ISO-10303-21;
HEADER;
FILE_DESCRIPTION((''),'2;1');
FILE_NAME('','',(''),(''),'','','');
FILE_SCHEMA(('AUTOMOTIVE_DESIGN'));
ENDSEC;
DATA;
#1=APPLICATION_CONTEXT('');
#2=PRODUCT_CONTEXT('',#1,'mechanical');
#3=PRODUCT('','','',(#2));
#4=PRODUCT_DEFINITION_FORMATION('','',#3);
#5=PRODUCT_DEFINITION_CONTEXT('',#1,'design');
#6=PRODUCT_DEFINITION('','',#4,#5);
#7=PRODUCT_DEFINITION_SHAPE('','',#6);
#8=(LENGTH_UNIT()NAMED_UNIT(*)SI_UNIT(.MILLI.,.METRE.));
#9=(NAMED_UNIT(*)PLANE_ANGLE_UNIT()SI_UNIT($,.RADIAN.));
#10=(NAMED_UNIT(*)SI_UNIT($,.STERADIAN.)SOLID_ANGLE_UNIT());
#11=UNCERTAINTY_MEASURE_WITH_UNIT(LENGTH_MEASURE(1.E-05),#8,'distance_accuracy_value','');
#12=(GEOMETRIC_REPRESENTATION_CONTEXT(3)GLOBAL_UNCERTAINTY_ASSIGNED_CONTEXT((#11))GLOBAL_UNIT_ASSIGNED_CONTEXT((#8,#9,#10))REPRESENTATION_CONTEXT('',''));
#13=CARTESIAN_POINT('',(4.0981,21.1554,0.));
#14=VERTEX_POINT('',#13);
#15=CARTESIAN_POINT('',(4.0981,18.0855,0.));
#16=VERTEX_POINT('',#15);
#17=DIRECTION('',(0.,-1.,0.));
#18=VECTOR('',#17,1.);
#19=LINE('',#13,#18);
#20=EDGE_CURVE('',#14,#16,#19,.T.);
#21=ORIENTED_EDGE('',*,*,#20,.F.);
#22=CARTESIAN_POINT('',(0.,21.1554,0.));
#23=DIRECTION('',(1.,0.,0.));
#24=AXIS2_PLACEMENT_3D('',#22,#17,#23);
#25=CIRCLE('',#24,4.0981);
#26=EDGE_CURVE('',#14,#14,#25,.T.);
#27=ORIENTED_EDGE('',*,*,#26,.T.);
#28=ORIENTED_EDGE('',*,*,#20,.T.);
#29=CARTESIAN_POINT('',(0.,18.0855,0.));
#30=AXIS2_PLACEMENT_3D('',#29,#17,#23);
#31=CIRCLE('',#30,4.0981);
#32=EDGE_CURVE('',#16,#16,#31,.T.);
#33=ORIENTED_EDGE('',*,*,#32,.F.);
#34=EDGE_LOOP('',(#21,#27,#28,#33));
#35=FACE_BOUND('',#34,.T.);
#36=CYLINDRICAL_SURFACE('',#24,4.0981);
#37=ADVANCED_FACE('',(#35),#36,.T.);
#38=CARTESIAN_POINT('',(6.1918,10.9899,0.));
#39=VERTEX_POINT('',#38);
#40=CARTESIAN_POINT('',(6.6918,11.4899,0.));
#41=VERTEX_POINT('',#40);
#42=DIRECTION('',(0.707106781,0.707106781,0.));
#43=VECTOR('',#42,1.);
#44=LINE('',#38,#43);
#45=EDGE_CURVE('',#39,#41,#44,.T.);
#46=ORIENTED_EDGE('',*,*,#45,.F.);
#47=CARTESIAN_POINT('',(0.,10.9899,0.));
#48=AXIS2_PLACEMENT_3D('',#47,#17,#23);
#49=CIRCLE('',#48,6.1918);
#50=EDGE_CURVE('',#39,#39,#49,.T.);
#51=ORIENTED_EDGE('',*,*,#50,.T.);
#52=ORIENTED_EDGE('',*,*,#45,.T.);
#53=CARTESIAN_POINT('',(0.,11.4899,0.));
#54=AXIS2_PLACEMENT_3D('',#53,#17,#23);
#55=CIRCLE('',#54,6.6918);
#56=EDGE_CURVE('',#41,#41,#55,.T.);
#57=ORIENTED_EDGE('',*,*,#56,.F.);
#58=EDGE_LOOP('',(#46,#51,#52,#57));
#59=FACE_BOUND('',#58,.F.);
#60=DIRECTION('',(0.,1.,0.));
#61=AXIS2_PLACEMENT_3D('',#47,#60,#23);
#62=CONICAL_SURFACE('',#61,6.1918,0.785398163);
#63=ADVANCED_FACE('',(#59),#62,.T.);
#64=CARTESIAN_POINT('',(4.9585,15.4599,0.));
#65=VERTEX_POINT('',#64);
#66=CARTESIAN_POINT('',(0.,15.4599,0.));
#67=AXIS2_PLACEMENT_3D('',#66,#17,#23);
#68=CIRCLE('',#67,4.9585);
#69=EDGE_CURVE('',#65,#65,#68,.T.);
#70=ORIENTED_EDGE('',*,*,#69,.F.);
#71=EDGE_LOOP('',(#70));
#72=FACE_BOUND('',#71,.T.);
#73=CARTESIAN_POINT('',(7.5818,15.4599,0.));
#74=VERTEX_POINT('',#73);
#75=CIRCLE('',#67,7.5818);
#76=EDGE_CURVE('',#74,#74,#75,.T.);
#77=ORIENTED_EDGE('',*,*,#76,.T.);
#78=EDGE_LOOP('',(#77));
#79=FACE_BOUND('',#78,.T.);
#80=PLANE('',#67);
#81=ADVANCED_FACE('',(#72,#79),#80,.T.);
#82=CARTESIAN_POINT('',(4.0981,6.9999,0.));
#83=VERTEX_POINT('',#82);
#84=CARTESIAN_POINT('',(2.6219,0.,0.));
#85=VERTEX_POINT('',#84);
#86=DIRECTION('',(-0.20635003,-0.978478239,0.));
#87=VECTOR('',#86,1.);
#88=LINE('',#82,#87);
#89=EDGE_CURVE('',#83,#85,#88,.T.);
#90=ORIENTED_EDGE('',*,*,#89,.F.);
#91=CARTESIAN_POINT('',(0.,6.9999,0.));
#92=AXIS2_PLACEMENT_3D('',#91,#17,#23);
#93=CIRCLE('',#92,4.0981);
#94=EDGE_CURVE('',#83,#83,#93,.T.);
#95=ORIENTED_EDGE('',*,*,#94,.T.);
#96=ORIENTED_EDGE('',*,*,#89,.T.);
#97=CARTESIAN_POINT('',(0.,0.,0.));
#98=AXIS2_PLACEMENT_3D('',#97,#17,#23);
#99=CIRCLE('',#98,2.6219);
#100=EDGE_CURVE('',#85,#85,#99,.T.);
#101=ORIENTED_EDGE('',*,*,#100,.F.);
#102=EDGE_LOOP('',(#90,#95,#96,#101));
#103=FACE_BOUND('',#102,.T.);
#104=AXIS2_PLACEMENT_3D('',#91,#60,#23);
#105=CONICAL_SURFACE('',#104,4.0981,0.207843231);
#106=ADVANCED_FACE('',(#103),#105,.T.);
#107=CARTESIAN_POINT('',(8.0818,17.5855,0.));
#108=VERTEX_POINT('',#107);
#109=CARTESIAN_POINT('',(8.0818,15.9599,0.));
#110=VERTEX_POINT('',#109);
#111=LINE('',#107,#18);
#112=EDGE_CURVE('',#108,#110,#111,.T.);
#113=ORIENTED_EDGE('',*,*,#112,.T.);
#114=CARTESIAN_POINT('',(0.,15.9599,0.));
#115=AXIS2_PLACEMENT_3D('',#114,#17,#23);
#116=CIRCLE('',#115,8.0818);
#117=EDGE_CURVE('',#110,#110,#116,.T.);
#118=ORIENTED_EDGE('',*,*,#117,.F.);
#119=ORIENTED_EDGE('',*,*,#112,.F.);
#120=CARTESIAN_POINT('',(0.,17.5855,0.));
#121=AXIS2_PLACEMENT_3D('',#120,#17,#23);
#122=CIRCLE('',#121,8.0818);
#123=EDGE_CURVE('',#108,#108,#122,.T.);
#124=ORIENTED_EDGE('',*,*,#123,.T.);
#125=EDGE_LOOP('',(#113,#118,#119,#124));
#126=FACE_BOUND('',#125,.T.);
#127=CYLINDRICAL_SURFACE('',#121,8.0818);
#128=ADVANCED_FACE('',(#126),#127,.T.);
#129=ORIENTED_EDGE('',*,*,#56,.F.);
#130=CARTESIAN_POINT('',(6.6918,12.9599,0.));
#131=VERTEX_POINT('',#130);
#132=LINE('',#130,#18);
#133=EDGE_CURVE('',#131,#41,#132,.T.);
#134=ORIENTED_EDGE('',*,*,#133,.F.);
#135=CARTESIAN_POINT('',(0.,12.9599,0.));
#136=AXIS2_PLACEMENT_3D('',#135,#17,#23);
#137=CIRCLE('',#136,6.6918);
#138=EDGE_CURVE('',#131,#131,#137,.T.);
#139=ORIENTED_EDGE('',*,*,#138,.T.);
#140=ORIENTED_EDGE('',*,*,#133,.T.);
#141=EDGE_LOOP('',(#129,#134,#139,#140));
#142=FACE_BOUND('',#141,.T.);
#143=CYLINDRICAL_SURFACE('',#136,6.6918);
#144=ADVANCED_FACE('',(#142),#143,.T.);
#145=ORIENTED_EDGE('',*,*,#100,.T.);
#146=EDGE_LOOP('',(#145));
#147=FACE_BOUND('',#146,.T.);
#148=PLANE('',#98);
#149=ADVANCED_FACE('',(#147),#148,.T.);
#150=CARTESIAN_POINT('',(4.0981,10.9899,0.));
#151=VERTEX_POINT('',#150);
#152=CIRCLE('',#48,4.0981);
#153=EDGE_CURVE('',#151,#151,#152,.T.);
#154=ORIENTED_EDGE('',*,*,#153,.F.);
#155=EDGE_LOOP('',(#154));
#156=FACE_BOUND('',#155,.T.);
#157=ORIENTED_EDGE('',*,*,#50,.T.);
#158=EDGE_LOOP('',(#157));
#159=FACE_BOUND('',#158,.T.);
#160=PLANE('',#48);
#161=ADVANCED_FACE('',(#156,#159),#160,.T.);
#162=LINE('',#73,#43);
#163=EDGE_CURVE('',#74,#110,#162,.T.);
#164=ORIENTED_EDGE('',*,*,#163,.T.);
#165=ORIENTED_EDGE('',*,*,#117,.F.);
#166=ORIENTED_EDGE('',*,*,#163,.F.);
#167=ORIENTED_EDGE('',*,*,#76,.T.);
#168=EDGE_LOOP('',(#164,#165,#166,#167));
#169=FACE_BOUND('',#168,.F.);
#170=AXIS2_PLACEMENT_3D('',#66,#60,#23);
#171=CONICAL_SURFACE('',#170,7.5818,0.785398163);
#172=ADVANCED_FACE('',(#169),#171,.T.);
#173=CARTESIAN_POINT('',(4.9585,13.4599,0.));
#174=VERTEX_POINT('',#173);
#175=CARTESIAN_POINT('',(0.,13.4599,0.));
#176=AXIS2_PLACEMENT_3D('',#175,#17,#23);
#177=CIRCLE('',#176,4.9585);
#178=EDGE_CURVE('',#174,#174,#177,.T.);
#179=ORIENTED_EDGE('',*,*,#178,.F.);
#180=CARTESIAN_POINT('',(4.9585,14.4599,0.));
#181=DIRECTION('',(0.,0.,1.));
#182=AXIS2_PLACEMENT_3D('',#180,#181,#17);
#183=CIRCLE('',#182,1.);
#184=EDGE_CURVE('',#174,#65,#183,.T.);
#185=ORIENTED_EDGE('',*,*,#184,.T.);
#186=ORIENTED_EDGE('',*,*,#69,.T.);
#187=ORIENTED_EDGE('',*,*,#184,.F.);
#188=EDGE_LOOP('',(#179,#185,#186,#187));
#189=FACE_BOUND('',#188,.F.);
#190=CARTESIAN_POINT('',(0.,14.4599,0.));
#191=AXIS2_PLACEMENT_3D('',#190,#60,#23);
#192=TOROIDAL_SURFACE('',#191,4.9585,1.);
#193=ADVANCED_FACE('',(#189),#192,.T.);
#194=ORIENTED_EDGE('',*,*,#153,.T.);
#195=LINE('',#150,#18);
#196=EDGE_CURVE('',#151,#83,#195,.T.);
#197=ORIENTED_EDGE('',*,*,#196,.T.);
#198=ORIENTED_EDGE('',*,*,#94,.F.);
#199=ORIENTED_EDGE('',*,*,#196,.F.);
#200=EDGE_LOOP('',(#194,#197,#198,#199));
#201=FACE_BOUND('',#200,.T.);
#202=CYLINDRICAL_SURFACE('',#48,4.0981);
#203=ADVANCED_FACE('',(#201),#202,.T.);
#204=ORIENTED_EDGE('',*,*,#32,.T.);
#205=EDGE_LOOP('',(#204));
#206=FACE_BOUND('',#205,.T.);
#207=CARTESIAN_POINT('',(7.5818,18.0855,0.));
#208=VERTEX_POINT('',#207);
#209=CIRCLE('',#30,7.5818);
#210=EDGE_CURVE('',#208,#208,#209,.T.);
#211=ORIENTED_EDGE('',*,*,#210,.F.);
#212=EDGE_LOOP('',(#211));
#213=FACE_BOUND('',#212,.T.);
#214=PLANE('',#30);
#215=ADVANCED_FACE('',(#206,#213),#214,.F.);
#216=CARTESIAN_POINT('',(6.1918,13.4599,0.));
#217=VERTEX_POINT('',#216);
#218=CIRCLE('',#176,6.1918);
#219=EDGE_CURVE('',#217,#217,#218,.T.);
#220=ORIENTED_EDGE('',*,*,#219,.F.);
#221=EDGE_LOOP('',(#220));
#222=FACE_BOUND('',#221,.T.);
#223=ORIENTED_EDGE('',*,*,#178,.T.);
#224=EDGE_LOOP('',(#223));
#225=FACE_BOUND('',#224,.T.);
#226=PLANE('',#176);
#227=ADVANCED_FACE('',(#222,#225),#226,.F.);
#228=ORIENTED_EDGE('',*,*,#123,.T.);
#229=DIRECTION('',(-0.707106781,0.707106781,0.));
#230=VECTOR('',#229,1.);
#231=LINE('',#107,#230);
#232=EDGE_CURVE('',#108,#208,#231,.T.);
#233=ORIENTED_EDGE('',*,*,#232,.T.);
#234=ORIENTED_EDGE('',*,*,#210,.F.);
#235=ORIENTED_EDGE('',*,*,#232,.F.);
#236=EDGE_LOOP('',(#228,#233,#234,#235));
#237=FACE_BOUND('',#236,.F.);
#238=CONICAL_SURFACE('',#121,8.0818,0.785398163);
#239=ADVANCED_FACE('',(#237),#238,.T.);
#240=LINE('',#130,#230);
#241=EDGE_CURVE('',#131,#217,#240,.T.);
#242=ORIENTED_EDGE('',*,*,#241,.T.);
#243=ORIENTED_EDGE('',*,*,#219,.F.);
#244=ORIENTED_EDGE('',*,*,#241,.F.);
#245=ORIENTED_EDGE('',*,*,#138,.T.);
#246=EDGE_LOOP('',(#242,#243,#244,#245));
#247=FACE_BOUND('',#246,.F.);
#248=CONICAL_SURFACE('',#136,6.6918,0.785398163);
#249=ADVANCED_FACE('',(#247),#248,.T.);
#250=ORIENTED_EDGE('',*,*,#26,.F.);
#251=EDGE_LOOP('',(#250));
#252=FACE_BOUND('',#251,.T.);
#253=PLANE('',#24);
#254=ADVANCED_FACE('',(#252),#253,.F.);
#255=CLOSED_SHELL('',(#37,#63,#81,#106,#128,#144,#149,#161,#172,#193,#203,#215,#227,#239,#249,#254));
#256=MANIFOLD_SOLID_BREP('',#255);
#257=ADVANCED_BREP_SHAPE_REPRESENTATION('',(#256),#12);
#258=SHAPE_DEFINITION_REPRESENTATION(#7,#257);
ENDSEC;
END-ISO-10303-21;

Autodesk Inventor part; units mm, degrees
ref_plane "YZ Plane" through (0, 0, 0) normal (1, 0, 0) x (0, 1, 0)
ref_plane "XZ Plane" through (0, 0, 0) normal (0, 1, 0) x (-1, 0, 0)
sketch "Sketch1" plane through (0, 0, 0) normal (0, 0, 1) x (1, 0, 0)
  line L0 (4.0981, 21.1554) -> (4.0981, 18.0855)
  line L1 (4.0981, 18.0855) -> (7.5818, 18.0855)
  line L2 (8.0818, 17.5855) -> (8.0818, 15.9599)
  line L3 (7.5818, 15.4599) -> (0, 15.4599)
  arc A0 (4.9585, 13.4599) -> (4.9585, 15.4599) centre (4.9585, 14.4599) ccw
  line L4 (4.9585, 13.4599) -> (6.1918, 13.4599)
  line L5 (6.6918, 12.9599) -> (6.6918, 11.4899)
  line L6 (6.1918, 10.9899) -> (4.0981, 10.9899)
  line L7 (4.0981, 10.9899) -> (4.0981, 6.9999)
  line L8 (4.0981, 6.9999) -> (2.6219, 0)
  line L9 (2.6219, 0) -> (0, 0)
  line L10 (0, 21.1554) -> (4.0981, 21.1554)
  line L11 (0, 21.1554) -> (0, 0)
  line L12 (0, 28.6278) -> (0, -8.3179) projected
  line L13 (-1.6164, 0) -> (9.6982, 0) projected
  line L14 (0, 23.3498) -> (0, -3.0399)
  line L15 (8.0818, 17.5855) -> (7.5818, 18.0855)
  line L16 (6.6918, 12.9599) -> (6.1918, 13.4599)
  line L17 (6.1918, 10.9899) -> (6.6918, 11.4899)
  line L18 (7.5818, 15.4599) -> (8.0818, 15.9599)
  point P0 (8.0818, 18.0855)
  point P1 (8.0818, 15.4599)
  point P2 (6.6918, 13.4599)
  point P3 (6.6918, 10.9899)
  point P4 (8.0818, 18.0855)
  point P5 (8.0818, 15.4599)
  point P6 (6.6918, 13.4599)
  point P7 (6.6918, 10.9899)
  point P8 (8.0818, 15.4599)
  dimension "d22" = 0.5
  dimension "d23" = 45
  dimension "d31" = 4.0981
  dimension "d32" = 8.0818
  dimension "d33" = 6.6918
  dimension "d34" = 2.6219
  dimension "d36" = 6.9999
  dimension "d37" = 10.9899
  dimension "d38" = 2.47
  dimension "d39" = 2.6256
  dimension "d40" = 1
revolve "Revolution1" add sketch "Sketch1" angle 360 about axis through (0, 23.3498, 0) along (0, -1, 0)
sketch "Handle Path" plane through (0, 0, 0) normal (0, 0, 1) x (1, 0, 0)
  line L0 (-2.5861, 18.9963) -> (-7.1383, 25.4974)
  line L1 (-7.5, 26.6446) -> (-7.5, 34.014)
  line L2 (-5.5, 36.014) -> (5.5, 36.014)
  line L3 (7.5, 34.014) -> (7.5, 26.6446)
  line L4 (7.1383, 25.4974) -> (2.5861, 18.9963)
  line L5 (0, 42.6716) -> (0, -7.1119) projected
  arc A0 (-7.5, 26.6446) -> (-7.1383, 25.4974) centre (-5.5, 26.6446) ccw
  arc A1 (-5.5, 36.014) -> (-7.5, 34.014) centre (-5.5, 34.014) ccw
  arc A2 (7.5, 34.014) -> (5.5, 36.014) centre (5.5, 34.014) ccw
  arc A3 (7.1383, 25.4974) -> (7.5, 26.6446) centre (5.5, 26.6446) ccw
  point P0 (-7.5, 26.014)
  point P1 (-7.5, 36.014)
  point P2 (7.5, 36.014)
  dimension "d43" = 15
  dimension "d44" = 10
  dimension "d47" = 35
  dimension "d49" = 2
  dimension "d51" = 5.1723
ref_plane "Work Plane2" through (-2.5861, 18.9963, 0) normal (-0.5736, 0.8192, 0) x (-0.8192, -0.5736, 0)
sketch "Handle Profile" plane through (-2.5861, 18.9963, 0) normal (-0.5736, 0.8192, 0) x (-0.8192, -0.5736, 0)
  circle A0 centre (0, 0) radius 0.9741
  dimension "d48" = 1.9483
properties part number "dipstick"
